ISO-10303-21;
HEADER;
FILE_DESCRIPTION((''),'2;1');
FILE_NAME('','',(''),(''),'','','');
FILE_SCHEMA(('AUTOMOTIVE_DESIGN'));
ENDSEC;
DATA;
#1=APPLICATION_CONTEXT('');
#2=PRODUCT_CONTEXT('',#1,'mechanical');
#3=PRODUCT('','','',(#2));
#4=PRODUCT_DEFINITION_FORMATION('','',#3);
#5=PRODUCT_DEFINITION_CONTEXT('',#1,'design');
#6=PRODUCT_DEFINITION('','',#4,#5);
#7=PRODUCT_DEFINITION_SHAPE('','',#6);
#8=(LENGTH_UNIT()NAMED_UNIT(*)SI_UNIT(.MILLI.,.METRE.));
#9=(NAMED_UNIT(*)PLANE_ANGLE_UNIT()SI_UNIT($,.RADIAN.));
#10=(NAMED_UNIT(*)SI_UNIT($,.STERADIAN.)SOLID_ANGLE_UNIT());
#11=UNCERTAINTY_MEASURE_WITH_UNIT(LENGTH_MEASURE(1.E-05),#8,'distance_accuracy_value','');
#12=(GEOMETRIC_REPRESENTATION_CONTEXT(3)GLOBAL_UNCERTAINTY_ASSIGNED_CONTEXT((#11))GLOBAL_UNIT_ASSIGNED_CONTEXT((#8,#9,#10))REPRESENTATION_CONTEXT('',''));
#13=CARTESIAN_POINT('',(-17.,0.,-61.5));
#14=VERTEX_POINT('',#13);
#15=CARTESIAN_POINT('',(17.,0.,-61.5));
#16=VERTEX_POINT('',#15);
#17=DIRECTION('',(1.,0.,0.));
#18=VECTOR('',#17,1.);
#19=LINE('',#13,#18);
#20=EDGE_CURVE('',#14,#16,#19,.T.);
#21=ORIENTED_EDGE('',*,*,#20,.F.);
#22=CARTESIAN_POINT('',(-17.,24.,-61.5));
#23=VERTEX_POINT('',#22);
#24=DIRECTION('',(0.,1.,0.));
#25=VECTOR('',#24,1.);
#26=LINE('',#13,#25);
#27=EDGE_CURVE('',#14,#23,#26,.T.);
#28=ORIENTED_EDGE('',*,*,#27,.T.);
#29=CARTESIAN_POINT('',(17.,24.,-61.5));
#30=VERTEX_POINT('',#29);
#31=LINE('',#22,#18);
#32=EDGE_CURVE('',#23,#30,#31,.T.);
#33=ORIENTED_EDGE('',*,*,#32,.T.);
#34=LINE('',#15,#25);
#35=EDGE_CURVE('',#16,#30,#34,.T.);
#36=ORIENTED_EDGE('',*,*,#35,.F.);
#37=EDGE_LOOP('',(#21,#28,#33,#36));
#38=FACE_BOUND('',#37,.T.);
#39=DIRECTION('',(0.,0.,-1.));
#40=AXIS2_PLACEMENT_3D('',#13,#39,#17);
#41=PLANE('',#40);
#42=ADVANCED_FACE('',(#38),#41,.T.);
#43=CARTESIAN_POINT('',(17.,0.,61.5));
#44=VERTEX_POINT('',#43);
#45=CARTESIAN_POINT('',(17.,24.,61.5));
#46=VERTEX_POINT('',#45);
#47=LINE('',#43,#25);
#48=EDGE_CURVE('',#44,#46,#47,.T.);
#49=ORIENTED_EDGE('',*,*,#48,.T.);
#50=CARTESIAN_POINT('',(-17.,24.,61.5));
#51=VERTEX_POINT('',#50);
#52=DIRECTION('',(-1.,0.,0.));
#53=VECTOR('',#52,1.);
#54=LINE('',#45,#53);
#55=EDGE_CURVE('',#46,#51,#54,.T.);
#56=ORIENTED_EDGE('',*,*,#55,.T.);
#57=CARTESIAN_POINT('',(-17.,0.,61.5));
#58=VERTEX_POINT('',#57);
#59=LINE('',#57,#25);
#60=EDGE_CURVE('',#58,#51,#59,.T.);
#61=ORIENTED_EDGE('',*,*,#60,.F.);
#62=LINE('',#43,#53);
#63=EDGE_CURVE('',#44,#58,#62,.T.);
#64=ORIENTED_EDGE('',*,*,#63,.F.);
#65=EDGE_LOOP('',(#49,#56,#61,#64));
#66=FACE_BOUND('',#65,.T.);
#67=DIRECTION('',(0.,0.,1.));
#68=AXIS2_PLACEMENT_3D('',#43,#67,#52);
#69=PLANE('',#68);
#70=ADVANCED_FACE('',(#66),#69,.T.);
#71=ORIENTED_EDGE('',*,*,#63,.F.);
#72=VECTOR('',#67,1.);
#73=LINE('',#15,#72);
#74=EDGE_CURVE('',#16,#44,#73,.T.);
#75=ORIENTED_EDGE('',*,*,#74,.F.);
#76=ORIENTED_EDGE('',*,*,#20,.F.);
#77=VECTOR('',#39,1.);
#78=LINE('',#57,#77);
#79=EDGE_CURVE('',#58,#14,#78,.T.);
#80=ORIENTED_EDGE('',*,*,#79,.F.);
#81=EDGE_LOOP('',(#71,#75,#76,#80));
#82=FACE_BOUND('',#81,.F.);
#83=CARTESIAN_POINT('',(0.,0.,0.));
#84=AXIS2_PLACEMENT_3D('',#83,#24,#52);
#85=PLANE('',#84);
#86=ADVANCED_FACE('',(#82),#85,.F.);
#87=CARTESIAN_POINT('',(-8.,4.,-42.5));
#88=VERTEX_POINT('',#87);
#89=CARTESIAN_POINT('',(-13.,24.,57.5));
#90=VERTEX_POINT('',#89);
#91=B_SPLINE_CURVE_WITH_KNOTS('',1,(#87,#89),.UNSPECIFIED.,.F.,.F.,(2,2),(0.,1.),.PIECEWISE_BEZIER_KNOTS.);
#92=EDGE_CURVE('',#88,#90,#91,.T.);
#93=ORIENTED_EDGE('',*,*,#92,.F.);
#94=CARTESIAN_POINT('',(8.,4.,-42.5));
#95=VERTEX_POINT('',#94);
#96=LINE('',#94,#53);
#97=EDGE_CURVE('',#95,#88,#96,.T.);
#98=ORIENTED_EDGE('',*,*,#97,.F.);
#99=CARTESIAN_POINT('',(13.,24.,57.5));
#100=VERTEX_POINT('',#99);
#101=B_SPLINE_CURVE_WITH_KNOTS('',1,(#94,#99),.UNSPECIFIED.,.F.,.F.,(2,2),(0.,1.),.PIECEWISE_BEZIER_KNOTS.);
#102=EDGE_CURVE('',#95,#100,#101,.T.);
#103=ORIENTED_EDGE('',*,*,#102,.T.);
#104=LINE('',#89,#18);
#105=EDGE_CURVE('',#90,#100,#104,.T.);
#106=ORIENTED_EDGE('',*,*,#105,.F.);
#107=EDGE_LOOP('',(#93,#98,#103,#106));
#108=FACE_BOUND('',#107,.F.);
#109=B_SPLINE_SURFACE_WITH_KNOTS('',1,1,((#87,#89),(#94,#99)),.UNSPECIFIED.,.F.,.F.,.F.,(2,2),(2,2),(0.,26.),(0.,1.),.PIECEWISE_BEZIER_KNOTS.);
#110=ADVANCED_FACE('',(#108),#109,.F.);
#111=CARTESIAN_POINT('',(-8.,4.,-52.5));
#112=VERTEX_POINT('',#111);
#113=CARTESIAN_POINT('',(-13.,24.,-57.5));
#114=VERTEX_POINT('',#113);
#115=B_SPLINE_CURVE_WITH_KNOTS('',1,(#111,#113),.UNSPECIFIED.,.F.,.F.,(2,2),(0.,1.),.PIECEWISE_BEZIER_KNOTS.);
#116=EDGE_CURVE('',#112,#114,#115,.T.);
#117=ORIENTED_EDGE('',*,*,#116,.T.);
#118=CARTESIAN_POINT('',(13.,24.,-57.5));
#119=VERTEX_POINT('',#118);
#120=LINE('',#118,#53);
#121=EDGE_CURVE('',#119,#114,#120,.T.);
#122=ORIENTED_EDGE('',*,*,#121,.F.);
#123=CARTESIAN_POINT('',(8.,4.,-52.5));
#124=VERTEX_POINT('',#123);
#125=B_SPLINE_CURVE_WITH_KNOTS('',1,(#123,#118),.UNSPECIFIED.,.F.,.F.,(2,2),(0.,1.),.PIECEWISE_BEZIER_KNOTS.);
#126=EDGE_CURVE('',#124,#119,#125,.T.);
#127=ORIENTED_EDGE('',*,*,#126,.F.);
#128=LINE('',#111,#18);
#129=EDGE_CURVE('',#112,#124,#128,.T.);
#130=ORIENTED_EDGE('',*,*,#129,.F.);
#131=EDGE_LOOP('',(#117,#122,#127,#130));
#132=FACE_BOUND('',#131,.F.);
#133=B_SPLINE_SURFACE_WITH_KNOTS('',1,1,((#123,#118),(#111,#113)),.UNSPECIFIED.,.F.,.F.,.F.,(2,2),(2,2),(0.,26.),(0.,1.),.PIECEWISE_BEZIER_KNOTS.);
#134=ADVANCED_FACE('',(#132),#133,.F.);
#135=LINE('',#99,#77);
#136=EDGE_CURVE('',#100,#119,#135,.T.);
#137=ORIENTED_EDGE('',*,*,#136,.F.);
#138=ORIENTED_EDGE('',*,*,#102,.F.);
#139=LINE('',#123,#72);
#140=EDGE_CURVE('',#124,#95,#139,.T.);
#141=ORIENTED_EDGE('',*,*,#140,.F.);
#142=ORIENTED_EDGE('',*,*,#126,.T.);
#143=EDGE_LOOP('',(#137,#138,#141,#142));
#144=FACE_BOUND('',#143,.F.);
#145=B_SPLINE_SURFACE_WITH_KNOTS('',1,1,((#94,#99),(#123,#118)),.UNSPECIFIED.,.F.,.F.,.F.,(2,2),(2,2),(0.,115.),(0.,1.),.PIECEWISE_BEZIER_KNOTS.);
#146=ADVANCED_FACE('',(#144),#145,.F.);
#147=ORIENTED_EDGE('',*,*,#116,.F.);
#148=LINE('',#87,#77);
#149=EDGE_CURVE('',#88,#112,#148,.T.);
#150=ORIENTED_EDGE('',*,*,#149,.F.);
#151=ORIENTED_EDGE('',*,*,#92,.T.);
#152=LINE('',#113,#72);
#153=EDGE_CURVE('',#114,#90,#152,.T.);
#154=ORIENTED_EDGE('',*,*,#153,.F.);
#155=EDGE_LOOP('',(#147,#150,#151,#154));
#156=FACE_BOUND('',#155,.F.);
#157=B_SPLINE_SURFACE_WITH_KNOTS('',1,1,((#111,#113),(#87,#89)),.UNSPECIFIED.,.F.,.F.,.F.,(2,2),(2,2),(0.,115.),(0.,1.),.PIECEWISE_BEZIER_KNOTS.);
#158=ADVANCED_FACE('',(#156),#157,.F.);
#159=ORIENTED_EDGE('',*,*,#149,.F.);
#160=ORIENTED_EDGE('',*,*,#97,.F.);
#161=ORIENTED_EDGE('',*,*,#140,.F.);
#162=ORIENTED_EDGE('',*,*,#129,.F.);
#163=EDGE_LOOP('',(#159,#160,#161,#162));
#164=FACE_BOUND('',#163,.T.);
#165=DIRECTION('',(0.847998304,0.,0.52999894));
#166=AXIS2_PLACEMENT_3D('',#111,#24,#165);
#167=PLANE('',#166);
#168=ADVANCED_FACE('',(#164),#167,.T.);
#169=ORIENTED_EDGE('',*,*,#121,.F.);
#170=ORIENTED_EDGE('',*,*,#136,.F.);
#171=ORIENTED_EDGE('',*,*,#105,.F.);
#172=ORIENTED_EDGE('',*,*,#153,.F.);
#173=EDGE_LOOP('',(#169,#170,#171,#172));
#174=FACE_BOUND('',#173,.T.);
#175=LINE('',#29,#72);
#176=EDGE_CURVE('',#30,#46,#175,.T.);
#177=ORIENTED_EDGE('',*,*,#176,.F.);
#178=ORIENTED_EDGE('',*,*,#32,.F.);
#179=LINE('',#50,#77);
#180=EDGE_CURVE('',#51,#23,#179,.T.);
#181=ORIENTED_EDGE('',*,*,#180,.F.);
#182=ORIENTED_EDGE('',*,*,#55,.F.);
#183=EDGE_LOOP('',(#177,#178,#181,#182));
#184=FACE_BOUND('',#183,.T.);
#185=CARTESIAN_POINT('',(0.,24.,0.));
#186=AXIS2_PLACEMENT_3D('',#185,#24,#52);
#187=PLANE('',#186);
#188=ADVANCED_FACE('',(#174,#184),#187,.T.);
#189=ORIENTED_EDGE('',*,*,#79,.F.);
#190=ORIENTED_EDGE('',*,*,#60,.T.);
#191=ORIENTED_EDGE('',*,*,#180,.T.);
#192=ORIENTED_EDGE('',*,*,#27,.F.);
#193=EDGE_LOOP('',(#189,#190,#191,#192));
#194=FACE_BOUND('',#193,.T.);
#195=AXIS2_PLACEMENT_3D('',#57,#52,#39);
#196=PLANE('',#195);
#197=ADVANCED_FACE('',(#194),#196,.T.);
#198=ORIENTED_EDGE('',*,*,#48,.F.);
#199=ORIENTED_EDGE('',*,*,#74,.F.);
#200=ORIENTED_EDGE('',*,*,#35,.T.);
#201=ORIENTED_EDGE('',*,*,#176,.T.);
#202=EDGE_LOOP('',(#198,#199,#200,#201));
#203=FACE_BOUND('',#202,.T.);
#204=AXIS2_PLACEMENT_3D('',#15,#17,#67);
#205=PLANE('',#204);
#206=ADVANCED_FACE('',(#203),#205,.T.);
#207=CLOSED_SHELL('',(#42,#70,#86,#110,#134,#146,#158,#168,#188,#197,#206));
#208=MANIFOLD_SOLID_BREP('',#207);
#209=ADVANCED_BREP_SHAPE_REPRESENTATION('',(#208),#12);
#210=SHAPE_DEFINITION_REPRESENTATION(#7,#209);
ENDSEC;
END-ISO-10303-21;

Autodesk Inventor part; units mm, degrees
ref_plane "YZ Plane" through (0, 0, 0) normal (1, 0, 0) x (0, 1, 0)
ref_plane "XY Plane" through (0, 0, 0) normal (0, 0, 1) x (1, 0, 0)
sketch "Sketch1" plane through (0, 0, 0) normal (0, 1, 0) x (-1, 0, 0)
  line L0 (-17, 61.5) -> (17, 61.5)
  line L1 (17, 61.5) -> (17, -61.5)
  line L2 (17, -61.5) -> (-17, -61.5)
  line L3 (-17, -61.5) -> (-17, 61.5)
  line L4 (-17, 61.5) -> (17, -61.5) construction
  line L5 (17, 61.5) -> (-17, -61.5) construction
  point P0 (0, 0)
  dimension "d0" = 34
  dimension "d1" = 123
extrude "Extrusion1" add sketch "Sketch1" along normal blind 24
ref_plane "Work Plane1" through (0, 4, 0) normal (0, 1, 0) x (-1, 0, 0)
sketch "Sketch2" plane through (0, 4, 0) normal (0, 1, 0) x (-1, 0, 0)
  line L0 (8, -52.5) -> (-8, -52.5)
  line L1 (-8, -52.5) -> (-8, -42.5)
  line L2 (-8, -42.5) -> (8, -42.5)
  line L3 (8, -42.5) -> (8, -52.5)
  line L4 (-17, -61.5) -> (17, -61.5) projected
  line L5 (17, 61.5) -> (17, -61.5) projected
  point P0 (0, 0)
  dimension "d5" = 16
  dimension "d6" = 10
  dimension "d7" = 9
  dimension "d16" = 9
sketch "Sketch3" plane through (0, 24, 0) normal (0, 1, 0) x (1, 0, 0)
  line L0 (-13, -57.5) -> (13, -57.5)
  line L1 (13, -57.5) -> (13, 57.5)
  line L2 (13, 57.5) -> (-13, 57.5)
  line L3 (-13, 57.5) -> (-13, -57.5)
  line L4 (-17, 61.5) -> (17, 61.5) projected
  line L5 (17, 61.5) -> (17, -61.5) projected
  line L6 (-17, -61.5) -> (17, -61.5) projected
  point P0 (0, 0)
  dimension "d8" = 4
  dimension "d9" = 115
  dimension "d10" = 26
  dimension "d11" = 4
  dimension "d17" = 4
loft "Loft1" cut profiles "Sketch2", "Sketch3"
properties part number "Mould Design 2"
